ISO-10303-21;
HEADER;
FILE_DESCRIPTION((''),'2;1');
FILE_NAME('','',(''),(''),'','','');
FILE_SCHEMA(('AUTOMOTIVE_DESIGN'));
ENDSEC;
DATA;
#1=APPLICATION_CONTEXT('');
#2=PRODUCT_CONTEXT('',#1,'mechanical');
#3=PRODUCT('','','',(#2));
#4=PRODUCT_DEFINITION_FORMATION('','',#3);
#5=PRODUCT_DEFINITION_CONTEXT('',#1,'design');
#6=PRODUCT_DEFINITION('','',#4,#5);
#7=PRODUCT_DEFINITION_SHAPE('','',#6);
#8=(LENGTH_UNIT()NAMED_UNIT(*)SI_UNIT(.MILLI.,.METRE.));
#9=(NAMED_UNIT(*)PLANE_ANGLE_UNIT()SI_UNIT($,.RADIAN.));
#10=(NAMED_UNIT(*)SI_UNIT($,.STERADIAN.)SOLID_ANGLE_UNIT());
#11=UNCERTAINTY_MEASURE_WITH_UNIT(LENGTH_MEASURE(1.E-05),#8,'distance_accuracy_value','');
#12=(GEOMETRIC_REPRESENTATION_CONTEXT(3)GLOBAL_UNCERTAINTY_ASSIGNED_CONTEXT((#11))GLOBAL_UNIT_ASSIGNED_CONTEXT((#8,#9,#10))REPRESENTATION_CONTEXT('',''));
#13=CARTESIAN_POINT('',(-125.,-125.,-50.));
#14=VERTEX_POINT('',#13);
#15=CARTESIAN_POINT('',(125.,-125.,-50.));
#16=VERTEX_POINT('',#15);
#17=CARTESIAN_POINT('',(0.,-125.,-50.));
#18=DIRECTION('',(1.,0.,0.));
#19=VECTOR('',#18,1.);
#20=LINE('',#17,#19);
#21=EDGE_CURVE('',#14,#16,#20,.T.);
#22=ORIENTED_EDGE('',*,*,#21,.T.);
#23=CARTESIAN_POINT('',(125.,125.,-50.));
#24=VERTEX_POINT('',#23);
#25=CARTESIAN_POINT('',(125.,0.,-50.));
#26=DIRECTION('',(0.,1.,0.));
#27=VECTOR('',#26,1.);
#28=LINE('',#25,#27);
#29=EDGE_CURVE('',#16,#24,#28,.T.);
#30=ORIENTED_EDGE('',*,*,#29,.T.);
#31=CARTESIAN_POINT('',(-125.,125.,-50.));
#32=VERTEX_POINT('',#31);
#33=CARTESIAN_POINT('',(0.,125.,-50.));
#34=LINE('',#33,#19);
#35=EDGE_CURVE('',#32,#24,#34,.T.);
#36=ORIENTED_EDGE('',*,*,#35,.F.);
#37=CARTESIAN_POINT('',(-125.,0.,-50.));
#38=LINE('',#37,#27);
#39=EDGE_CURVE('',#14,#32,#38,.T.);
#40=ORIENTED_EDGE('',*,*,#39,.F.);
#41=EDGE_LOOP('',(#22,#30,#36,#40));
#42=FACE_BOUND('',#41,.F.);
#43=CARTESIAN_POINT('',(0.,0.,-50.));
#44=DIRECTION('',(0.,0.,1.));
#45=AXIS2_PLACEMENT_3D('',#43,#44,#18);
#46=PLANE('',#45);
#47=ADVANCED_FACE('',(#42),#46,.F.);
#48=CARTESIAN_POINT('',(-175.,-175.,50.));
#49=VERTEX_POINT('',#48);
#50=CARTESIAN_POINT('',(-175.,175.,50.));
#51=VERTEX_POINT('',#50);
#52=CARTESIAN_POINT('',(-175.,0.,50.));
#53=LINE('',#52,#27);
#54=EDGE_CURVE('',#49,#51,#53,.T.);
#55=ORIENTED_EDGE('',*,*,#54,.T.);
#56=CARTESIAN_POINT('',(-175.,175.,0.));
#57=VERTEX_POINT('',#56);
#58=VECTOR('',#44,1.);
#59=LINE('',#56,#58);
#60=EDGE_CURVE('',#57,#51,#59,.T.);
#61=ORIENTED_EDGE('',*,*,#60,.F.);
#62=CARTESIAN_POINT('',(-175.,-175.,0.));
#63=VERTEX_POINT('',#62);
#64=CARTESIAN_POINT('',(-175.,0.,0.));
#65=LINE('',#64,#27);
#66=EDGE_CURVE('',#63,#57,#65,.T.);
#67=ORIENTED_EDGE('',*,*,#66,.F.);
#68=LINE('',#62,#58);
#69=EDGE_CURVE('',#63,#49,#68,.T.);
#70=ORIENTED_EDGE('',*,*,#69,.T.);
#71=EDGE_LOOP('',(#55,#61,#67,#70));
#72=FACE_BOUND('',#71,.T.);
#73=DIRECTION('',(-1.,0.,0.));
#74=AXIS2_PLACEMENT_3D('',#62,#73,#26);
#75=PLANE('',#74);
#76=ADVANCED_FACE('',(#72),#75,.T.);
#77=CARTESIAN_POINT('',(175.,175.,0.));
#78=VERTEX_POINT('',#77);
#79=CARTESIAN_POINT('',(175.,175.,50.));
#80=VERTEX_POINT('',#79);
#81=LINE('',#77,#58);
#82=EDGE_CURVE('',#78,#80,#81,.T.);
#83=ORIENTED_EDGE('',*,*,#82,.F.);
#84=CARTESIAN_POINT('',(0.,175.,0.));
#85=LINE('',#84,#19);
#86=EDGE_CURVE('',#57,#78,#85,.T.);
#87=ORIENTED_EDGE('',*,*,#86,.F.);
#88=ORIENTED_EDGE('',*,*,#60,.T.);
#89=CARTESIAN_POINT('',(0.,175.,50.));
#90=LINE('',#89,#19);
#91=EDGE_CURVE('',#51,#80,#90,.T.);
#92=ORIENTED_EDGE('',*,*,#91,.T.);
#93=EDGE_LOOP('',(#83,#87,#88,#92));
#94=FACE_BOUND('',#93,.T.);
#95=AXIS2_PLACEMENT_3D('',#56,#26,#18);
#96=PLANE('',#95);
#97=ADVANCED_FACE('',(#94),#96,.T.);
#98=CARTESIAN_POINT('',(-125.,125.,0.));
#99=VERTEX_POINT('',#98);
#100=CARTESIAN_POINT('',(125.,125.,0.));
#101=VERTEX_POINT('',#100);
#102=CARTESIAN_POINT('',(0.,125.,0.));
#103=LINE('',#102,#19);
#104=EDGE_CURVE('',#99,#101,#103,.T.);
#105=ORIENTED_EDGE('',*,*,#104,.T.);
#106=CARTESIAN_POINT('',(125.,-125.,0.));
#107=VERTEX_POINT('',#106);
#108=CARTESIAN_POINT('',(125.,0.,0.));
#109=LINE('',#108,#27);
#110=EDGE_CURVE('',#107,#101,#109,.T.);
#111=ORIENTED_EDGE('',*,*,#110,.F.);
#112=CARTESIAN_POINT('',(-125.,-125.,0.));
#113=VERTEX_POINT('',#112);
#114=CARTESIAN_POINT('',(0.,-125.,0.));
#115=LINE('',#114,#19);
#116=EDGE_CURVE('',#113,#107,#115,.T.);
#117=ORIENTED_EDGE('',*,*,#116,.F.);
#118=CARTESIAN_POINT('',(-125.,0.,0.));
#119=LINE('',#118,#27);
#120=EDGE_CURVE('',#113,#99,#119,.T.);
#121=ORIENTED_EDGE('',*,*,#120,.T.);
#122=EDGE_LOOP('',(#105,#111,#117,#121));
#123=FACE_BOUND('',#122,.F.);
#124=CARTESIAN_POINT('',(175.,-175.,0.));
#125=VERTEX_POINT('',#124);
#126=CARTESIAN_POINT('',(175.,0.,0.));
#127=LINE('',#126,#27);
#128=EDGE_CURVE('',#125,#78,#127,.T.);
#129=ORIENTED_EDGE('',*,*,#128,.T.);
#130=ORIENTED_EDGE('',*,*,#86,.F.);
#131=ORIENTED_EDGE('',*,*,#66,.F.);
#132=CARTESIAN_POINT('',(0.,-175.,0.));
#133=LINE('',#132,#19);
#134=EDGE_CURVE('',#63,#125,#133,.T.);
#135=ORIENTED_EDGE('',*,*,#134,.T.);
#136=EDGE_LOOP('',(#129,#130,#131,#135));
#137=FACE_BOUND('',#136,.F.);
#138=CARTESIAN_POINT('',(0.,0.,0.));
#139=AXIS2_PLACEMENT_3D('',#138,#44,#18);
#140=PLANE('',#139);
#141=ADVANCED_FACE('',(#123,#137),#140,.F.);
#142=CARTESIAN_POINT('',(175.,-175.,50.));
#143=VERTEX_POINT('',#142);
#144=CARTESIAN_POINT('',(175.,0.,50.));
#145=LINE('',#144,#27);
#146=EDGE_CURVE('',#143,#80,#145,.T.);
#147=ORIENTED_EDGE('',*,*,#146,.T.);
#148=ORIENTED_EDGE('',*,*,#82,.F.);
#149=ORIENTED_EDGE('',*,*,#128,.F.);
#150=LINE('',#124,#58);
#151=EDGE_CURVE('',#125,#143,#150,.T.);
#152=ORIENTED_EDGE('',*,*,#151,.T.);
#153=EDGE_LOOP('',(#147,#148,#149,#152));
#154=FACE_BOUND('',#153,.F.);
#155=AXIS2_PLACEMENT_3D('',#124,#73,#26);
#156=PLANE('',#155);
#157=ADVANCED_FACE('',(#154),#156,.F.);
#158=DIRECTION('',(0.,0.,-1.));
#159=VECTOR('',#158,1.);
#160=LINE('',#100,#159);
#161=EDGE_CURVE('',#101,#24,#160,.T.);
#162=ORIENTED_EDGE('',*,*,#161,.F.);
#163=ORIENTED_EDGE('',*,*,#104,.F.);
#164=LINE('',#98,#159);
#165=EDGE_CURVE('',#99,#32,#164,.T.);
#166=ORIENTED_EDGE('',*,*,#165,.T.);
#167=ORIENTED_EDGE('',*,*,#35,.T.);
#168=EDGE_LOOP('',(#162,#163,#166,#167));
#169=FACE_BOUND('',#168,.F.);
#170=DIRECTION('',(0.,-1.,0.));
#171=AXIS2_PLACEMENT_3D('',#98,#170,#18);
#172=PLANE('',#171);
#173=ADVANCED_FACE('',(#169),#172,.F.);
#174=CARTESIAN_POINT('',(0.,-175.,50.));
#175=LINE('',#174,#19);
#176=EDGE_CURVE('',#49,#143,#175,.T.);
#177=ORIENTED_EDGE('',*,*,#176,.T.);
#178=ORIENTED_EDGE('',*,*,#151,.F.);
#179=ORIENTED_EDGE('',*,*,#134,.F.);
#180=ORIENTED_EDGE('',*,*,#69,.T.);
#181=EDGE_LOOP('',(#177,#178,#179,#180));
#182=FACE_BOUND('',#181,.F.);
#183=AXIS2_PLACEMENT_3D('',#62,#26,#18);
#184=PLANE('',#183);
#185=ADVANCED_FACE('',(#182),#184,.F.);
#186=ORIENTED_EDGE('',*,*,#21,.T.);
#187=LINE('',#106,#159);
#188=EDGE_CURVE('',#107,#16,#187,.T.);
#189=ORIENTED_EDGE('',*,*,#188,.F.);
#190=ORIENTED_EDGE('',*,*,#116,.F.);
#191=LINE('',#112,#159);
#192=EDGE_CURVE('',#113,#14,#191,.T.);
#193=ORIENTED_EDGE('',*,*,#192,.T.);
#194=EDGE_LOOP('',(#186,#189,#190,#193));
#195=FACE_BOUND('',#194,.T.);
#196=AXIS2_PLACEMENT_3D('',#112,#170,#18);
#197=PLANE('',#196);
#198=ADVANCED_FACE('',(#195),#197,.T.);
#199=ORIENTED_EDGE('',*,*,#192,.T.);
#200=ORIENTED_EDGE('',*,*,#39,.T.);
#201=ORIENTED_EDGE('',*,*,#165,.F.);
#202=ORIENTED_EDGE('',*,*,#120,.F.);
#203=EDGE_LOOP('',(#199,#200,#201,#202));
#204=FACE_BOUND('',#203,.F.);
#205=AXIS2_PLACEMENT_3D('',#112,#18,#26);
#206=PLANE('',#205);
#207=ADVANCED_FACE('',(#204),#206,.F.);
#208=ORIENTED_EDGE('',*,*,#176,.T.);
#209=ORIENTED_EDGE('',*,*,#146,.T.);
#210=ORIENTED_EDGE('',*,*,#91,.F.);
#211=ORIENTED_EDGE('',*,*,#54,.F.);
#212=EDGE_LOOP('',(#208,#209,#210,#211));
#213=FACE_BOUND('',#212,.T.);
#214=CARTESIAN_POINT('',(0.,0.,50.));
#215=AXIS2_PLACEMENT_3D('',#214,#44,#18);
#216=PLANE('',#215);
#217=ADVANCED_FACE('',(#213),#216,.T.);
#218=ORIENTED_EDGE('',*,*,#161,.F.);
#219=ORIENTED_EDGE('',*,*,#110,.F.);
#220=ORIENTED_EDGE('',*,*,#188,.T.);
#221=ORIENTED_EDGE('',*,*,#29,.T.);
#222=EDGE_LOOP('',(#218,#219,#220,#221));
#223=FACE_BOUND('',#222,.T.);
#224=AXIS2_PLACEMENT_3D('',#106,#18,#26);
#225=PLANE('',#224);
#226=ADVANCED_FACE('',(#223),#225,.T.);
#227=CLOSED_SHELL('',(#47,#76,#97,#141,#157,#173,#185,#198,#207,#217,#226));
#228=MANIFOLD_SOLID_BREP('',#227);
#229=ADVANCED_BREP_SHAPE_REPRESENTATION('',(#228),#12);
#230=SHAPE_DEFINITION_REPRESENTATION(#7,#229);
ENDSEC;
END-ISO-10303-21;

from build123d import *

# Parameters (mm, degrees)
F0_W     = 350
F0_H     = 350
F1_DEPTH = 50
F2_W     = 250
F2_H     = 250
F3_DEPTH = 50


with BuildPart() as f1:
    # F0 (on Top) → F1 (new body)
    with BuildSketch(Plane.XY):
        Rectangle(F0_W, F0_H)
    extrude(amount=F1_DEPTH)

    # F2 (on Top) → F3 (join)
    with BuildSketch(Plane.XY):
        Rectangle(F2_W, F2_H)
    extrude(amount=-F3_DEPTH)


solid = f1.part
